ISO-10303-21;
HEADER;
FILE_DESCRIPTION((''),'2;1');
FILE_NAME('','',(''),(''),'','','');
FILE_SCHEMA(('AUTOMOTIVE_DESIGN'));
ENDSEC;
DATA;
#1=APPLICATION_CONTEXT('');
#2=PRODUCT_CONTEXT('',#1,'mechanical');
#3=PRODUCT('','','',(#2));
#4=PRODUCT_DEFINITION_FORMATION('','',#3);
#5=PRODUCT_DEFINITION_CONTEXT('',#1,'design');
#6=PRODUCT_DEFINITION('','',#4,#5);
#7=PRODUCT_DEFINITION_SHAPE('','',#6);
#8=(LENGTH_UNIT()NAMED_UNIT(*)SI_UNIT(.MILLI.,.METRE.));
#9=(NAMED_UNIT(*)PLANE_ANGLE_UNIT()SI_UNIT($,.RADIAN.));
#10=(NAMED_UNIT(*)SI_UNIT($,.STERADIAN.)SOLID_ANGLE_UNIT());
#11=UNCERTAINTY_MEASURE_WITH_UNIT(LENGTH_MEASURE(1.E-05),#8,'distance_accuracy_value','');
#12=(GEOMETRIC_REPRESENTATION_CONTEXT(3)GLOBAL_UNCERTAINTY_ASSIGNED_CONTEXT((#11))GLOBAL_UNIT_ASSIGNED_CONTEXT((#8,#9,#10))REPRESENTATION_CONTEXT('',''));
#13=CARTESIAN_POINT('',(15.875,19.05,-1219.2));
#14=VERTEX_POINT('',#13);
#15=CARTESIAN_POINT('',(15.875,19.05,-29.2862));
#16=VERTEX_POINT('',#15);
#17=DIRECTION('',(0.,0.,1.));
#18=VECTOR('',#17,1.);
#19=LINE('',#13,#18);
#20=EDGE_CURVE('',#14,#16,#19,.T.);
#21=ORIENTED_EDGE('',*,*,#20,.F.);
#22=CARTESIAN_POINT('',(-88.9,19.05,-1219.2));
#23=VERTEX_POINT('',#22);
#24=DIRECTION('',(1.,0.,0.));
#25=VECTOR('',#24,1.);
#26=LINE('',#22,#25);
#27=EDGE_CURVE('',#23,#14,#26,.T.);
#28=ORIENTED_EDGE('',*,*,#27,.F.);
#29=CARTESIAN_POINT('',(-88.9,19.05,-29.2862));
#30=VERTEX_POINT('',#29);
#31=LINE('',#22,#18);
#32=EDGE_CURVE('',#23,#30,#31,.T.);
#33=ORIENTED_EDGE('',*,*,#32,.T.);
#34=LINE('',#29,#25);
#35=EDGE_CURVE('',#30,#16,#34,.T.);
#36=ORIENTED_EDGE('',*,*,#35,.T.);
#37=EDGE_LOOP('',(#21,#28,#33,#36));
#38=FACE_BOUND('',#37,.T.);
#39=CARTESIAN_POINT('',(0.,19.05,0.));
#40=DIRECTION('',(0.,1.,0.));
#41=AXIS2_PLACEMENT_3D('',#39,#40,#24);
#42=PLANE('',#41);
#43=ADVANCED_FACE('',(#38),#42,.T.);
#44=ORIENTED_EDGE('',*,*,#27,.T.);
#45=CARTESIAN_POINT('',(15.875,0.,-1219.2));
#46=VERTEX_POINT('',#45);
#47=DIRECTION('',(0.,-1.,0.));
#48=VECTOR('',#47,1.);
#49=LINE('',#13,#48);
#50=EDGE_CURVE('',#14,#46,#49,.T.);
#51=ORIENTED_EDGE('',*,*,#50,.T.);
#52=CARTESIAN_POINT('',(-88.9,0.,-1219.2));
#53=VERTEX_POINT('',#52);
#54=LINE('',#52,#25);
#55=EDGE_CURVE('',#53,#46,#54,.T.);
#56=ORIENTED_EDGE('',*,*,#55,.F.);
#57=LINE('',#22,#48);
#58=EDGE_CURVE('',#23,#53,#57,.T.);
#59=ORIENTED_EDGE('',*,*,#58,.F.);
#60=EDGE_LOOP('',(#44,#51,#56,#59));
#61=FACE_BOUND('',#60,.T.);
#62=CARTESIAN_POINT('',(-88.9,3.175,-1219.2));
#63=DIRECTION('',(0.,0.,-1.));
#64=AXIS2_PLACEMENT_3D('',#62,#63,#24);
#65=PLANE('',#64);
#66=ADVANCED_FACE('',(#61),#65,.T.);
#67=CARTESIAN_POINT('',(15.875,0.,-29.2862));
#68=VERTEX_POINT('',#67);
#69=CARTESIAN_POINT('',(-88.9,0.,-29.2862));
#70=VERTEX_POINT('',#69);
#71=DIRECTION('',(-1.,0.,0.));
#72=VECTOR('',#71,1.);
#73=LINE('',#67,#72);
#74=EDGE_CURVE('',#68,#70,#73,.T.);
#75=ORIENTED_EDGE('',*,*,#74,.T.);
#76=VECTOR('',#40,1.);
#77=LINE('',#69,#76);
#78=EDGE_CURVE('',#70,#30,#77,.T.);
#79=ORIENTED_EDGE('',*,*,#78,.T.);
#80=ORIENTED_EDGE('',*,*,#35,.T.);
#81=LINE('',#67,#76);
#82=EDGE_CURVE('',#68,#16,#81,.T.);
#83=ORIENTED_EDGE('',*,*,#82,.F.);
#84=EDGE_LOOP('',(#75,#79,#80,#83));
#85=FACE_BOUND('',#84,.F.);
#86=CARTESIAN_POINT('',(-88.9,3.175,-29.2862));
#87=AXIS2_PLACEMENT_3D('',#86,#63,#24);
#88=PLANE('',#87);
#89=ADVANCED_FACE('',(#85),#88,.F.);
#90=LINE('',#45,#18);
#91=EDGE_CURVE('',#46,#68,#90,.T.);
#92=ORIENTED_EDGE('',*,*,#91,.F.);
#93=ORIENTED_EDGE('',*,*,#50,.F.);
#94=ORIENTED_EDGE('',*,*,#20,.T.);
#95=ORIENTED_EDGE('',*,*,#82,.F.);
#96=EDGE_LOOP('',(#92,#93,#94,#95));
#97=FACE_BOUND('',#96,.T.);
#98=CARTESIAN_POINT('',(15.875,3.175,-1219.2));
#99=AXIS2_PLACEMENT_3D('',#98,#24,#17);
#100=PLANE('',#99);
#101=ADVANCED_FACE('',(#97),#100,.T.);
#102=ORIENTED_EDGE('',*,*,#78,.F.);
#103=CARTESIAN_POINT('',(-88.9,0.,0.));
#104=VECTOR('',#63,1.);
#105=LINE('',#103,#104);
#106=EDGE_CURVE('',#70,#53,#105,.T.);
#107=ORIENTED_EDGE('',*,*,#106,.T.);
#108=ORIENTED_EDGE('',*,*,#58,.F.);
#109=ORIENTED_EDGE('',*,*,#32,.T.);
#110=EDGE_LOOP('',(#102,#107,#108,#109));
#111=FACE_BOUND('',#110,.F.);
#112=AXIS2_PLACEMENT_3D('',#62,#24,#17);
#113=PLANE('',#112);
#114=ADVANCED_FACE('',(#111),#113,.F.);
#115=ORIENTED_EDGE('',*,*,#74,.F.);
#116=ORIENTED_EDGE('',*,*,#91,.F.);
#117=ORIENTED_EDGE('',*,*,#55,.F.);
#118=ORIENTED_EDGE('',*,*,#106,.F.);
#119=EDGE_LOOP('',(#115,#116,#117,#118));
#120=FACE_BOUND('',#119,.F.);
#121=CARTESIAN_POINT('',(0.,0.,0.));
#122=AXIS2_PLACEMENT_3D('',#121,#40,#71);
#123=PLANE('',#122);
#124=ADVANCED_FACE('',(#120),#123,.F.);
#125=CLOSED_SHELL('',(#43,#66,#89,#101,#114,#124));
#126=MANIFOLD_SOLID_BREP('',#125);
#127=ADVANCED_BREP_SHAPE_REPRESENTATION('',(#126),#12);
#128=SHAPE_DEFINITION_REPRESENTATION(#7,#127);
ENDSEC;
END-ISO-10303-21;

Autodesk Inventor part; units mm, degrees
ref_plane "YZ Plane" through (0, 0, 0) normal (1, 0, 0) x (0, 1, 0)
ref_plane "XZ Plane" through (0, 0, 0) normal (0, 1, 0) x (-1, 0, 0)
ref_plane "XY Plane" through (0, 0, 0) normal (0, 0, 1) x (1, 0, 0)
sketch "Sketch1" plane through (0, 0, 0) normal (0, 1, 0) x (-1, 0, 0)
  line L0 (0, 0) -> (88.9, 0)
  line L1 (88.9, 0) -> (88.9, -1219.2)
  line L2 (88.9, -1219.2) -> (0, -1219.2)
  line L3 (0, -1219.2) -> (0, 0)
  dimension "d0" = 88.9
  dimension "d1" = 1219.2
extrude "Extrusion1" add sketch "Sketch1" along normal blind 3.175
sketch "Sketch2" plane through (0, 0, 0) normal (1, 0, 0) x (0, 0, -1)
  line L0 (1219.2, 0) -> (0, 0) projected
  line L1 (1219.2, 0) -> (1219.2, 3.175) projected
  line L2 (0, 3.175) -> (1219.2, 3.175) projected
  line L3 (0, 0) -> (0, 3.175) projected
extrude "Extrusion2" add sketch "Sketch2" along normal blind 15.875
sketch "Sketch3" plane through (-88.9, 0, 0) normal (0, 0, 1) x (1, 0, 0)
  line L0 (104.775, 0) -> (0, 0) projected
  line L1 (104.775, 3.175) -> (104.775, 0) projected
  line L2 (0, 3.175) -> (104.775, 3.175) projected
  line L3 (0, 0) -> (0, 3.175) projected
  point P0 (88.9, 0)
extrude "Extrusion3" cut sketch "Sketch3" against normal blind 29.2862
sketch "Sketch4" plane through (0, 3.175, 0) normal (0, 1, 0) x (1, 0, 0)
  line L0 (-88.9, 29.2862) -> (15.875, 29.2862) projected
  line L1 (15.875, 1219.2) -> (15.875, 29.2862) projected
  line L2 (-88.9, 1219.2) -> (15.875, 1219.2) projected
  line L3 (-88.9, 1219.2) -> (-88.9, 29.2862) projected
  point P0 (0, 0)
extrude "Extrusion4" add sketch "Sketch4" along normal blind 15.875
properties part number "48in k wool"
